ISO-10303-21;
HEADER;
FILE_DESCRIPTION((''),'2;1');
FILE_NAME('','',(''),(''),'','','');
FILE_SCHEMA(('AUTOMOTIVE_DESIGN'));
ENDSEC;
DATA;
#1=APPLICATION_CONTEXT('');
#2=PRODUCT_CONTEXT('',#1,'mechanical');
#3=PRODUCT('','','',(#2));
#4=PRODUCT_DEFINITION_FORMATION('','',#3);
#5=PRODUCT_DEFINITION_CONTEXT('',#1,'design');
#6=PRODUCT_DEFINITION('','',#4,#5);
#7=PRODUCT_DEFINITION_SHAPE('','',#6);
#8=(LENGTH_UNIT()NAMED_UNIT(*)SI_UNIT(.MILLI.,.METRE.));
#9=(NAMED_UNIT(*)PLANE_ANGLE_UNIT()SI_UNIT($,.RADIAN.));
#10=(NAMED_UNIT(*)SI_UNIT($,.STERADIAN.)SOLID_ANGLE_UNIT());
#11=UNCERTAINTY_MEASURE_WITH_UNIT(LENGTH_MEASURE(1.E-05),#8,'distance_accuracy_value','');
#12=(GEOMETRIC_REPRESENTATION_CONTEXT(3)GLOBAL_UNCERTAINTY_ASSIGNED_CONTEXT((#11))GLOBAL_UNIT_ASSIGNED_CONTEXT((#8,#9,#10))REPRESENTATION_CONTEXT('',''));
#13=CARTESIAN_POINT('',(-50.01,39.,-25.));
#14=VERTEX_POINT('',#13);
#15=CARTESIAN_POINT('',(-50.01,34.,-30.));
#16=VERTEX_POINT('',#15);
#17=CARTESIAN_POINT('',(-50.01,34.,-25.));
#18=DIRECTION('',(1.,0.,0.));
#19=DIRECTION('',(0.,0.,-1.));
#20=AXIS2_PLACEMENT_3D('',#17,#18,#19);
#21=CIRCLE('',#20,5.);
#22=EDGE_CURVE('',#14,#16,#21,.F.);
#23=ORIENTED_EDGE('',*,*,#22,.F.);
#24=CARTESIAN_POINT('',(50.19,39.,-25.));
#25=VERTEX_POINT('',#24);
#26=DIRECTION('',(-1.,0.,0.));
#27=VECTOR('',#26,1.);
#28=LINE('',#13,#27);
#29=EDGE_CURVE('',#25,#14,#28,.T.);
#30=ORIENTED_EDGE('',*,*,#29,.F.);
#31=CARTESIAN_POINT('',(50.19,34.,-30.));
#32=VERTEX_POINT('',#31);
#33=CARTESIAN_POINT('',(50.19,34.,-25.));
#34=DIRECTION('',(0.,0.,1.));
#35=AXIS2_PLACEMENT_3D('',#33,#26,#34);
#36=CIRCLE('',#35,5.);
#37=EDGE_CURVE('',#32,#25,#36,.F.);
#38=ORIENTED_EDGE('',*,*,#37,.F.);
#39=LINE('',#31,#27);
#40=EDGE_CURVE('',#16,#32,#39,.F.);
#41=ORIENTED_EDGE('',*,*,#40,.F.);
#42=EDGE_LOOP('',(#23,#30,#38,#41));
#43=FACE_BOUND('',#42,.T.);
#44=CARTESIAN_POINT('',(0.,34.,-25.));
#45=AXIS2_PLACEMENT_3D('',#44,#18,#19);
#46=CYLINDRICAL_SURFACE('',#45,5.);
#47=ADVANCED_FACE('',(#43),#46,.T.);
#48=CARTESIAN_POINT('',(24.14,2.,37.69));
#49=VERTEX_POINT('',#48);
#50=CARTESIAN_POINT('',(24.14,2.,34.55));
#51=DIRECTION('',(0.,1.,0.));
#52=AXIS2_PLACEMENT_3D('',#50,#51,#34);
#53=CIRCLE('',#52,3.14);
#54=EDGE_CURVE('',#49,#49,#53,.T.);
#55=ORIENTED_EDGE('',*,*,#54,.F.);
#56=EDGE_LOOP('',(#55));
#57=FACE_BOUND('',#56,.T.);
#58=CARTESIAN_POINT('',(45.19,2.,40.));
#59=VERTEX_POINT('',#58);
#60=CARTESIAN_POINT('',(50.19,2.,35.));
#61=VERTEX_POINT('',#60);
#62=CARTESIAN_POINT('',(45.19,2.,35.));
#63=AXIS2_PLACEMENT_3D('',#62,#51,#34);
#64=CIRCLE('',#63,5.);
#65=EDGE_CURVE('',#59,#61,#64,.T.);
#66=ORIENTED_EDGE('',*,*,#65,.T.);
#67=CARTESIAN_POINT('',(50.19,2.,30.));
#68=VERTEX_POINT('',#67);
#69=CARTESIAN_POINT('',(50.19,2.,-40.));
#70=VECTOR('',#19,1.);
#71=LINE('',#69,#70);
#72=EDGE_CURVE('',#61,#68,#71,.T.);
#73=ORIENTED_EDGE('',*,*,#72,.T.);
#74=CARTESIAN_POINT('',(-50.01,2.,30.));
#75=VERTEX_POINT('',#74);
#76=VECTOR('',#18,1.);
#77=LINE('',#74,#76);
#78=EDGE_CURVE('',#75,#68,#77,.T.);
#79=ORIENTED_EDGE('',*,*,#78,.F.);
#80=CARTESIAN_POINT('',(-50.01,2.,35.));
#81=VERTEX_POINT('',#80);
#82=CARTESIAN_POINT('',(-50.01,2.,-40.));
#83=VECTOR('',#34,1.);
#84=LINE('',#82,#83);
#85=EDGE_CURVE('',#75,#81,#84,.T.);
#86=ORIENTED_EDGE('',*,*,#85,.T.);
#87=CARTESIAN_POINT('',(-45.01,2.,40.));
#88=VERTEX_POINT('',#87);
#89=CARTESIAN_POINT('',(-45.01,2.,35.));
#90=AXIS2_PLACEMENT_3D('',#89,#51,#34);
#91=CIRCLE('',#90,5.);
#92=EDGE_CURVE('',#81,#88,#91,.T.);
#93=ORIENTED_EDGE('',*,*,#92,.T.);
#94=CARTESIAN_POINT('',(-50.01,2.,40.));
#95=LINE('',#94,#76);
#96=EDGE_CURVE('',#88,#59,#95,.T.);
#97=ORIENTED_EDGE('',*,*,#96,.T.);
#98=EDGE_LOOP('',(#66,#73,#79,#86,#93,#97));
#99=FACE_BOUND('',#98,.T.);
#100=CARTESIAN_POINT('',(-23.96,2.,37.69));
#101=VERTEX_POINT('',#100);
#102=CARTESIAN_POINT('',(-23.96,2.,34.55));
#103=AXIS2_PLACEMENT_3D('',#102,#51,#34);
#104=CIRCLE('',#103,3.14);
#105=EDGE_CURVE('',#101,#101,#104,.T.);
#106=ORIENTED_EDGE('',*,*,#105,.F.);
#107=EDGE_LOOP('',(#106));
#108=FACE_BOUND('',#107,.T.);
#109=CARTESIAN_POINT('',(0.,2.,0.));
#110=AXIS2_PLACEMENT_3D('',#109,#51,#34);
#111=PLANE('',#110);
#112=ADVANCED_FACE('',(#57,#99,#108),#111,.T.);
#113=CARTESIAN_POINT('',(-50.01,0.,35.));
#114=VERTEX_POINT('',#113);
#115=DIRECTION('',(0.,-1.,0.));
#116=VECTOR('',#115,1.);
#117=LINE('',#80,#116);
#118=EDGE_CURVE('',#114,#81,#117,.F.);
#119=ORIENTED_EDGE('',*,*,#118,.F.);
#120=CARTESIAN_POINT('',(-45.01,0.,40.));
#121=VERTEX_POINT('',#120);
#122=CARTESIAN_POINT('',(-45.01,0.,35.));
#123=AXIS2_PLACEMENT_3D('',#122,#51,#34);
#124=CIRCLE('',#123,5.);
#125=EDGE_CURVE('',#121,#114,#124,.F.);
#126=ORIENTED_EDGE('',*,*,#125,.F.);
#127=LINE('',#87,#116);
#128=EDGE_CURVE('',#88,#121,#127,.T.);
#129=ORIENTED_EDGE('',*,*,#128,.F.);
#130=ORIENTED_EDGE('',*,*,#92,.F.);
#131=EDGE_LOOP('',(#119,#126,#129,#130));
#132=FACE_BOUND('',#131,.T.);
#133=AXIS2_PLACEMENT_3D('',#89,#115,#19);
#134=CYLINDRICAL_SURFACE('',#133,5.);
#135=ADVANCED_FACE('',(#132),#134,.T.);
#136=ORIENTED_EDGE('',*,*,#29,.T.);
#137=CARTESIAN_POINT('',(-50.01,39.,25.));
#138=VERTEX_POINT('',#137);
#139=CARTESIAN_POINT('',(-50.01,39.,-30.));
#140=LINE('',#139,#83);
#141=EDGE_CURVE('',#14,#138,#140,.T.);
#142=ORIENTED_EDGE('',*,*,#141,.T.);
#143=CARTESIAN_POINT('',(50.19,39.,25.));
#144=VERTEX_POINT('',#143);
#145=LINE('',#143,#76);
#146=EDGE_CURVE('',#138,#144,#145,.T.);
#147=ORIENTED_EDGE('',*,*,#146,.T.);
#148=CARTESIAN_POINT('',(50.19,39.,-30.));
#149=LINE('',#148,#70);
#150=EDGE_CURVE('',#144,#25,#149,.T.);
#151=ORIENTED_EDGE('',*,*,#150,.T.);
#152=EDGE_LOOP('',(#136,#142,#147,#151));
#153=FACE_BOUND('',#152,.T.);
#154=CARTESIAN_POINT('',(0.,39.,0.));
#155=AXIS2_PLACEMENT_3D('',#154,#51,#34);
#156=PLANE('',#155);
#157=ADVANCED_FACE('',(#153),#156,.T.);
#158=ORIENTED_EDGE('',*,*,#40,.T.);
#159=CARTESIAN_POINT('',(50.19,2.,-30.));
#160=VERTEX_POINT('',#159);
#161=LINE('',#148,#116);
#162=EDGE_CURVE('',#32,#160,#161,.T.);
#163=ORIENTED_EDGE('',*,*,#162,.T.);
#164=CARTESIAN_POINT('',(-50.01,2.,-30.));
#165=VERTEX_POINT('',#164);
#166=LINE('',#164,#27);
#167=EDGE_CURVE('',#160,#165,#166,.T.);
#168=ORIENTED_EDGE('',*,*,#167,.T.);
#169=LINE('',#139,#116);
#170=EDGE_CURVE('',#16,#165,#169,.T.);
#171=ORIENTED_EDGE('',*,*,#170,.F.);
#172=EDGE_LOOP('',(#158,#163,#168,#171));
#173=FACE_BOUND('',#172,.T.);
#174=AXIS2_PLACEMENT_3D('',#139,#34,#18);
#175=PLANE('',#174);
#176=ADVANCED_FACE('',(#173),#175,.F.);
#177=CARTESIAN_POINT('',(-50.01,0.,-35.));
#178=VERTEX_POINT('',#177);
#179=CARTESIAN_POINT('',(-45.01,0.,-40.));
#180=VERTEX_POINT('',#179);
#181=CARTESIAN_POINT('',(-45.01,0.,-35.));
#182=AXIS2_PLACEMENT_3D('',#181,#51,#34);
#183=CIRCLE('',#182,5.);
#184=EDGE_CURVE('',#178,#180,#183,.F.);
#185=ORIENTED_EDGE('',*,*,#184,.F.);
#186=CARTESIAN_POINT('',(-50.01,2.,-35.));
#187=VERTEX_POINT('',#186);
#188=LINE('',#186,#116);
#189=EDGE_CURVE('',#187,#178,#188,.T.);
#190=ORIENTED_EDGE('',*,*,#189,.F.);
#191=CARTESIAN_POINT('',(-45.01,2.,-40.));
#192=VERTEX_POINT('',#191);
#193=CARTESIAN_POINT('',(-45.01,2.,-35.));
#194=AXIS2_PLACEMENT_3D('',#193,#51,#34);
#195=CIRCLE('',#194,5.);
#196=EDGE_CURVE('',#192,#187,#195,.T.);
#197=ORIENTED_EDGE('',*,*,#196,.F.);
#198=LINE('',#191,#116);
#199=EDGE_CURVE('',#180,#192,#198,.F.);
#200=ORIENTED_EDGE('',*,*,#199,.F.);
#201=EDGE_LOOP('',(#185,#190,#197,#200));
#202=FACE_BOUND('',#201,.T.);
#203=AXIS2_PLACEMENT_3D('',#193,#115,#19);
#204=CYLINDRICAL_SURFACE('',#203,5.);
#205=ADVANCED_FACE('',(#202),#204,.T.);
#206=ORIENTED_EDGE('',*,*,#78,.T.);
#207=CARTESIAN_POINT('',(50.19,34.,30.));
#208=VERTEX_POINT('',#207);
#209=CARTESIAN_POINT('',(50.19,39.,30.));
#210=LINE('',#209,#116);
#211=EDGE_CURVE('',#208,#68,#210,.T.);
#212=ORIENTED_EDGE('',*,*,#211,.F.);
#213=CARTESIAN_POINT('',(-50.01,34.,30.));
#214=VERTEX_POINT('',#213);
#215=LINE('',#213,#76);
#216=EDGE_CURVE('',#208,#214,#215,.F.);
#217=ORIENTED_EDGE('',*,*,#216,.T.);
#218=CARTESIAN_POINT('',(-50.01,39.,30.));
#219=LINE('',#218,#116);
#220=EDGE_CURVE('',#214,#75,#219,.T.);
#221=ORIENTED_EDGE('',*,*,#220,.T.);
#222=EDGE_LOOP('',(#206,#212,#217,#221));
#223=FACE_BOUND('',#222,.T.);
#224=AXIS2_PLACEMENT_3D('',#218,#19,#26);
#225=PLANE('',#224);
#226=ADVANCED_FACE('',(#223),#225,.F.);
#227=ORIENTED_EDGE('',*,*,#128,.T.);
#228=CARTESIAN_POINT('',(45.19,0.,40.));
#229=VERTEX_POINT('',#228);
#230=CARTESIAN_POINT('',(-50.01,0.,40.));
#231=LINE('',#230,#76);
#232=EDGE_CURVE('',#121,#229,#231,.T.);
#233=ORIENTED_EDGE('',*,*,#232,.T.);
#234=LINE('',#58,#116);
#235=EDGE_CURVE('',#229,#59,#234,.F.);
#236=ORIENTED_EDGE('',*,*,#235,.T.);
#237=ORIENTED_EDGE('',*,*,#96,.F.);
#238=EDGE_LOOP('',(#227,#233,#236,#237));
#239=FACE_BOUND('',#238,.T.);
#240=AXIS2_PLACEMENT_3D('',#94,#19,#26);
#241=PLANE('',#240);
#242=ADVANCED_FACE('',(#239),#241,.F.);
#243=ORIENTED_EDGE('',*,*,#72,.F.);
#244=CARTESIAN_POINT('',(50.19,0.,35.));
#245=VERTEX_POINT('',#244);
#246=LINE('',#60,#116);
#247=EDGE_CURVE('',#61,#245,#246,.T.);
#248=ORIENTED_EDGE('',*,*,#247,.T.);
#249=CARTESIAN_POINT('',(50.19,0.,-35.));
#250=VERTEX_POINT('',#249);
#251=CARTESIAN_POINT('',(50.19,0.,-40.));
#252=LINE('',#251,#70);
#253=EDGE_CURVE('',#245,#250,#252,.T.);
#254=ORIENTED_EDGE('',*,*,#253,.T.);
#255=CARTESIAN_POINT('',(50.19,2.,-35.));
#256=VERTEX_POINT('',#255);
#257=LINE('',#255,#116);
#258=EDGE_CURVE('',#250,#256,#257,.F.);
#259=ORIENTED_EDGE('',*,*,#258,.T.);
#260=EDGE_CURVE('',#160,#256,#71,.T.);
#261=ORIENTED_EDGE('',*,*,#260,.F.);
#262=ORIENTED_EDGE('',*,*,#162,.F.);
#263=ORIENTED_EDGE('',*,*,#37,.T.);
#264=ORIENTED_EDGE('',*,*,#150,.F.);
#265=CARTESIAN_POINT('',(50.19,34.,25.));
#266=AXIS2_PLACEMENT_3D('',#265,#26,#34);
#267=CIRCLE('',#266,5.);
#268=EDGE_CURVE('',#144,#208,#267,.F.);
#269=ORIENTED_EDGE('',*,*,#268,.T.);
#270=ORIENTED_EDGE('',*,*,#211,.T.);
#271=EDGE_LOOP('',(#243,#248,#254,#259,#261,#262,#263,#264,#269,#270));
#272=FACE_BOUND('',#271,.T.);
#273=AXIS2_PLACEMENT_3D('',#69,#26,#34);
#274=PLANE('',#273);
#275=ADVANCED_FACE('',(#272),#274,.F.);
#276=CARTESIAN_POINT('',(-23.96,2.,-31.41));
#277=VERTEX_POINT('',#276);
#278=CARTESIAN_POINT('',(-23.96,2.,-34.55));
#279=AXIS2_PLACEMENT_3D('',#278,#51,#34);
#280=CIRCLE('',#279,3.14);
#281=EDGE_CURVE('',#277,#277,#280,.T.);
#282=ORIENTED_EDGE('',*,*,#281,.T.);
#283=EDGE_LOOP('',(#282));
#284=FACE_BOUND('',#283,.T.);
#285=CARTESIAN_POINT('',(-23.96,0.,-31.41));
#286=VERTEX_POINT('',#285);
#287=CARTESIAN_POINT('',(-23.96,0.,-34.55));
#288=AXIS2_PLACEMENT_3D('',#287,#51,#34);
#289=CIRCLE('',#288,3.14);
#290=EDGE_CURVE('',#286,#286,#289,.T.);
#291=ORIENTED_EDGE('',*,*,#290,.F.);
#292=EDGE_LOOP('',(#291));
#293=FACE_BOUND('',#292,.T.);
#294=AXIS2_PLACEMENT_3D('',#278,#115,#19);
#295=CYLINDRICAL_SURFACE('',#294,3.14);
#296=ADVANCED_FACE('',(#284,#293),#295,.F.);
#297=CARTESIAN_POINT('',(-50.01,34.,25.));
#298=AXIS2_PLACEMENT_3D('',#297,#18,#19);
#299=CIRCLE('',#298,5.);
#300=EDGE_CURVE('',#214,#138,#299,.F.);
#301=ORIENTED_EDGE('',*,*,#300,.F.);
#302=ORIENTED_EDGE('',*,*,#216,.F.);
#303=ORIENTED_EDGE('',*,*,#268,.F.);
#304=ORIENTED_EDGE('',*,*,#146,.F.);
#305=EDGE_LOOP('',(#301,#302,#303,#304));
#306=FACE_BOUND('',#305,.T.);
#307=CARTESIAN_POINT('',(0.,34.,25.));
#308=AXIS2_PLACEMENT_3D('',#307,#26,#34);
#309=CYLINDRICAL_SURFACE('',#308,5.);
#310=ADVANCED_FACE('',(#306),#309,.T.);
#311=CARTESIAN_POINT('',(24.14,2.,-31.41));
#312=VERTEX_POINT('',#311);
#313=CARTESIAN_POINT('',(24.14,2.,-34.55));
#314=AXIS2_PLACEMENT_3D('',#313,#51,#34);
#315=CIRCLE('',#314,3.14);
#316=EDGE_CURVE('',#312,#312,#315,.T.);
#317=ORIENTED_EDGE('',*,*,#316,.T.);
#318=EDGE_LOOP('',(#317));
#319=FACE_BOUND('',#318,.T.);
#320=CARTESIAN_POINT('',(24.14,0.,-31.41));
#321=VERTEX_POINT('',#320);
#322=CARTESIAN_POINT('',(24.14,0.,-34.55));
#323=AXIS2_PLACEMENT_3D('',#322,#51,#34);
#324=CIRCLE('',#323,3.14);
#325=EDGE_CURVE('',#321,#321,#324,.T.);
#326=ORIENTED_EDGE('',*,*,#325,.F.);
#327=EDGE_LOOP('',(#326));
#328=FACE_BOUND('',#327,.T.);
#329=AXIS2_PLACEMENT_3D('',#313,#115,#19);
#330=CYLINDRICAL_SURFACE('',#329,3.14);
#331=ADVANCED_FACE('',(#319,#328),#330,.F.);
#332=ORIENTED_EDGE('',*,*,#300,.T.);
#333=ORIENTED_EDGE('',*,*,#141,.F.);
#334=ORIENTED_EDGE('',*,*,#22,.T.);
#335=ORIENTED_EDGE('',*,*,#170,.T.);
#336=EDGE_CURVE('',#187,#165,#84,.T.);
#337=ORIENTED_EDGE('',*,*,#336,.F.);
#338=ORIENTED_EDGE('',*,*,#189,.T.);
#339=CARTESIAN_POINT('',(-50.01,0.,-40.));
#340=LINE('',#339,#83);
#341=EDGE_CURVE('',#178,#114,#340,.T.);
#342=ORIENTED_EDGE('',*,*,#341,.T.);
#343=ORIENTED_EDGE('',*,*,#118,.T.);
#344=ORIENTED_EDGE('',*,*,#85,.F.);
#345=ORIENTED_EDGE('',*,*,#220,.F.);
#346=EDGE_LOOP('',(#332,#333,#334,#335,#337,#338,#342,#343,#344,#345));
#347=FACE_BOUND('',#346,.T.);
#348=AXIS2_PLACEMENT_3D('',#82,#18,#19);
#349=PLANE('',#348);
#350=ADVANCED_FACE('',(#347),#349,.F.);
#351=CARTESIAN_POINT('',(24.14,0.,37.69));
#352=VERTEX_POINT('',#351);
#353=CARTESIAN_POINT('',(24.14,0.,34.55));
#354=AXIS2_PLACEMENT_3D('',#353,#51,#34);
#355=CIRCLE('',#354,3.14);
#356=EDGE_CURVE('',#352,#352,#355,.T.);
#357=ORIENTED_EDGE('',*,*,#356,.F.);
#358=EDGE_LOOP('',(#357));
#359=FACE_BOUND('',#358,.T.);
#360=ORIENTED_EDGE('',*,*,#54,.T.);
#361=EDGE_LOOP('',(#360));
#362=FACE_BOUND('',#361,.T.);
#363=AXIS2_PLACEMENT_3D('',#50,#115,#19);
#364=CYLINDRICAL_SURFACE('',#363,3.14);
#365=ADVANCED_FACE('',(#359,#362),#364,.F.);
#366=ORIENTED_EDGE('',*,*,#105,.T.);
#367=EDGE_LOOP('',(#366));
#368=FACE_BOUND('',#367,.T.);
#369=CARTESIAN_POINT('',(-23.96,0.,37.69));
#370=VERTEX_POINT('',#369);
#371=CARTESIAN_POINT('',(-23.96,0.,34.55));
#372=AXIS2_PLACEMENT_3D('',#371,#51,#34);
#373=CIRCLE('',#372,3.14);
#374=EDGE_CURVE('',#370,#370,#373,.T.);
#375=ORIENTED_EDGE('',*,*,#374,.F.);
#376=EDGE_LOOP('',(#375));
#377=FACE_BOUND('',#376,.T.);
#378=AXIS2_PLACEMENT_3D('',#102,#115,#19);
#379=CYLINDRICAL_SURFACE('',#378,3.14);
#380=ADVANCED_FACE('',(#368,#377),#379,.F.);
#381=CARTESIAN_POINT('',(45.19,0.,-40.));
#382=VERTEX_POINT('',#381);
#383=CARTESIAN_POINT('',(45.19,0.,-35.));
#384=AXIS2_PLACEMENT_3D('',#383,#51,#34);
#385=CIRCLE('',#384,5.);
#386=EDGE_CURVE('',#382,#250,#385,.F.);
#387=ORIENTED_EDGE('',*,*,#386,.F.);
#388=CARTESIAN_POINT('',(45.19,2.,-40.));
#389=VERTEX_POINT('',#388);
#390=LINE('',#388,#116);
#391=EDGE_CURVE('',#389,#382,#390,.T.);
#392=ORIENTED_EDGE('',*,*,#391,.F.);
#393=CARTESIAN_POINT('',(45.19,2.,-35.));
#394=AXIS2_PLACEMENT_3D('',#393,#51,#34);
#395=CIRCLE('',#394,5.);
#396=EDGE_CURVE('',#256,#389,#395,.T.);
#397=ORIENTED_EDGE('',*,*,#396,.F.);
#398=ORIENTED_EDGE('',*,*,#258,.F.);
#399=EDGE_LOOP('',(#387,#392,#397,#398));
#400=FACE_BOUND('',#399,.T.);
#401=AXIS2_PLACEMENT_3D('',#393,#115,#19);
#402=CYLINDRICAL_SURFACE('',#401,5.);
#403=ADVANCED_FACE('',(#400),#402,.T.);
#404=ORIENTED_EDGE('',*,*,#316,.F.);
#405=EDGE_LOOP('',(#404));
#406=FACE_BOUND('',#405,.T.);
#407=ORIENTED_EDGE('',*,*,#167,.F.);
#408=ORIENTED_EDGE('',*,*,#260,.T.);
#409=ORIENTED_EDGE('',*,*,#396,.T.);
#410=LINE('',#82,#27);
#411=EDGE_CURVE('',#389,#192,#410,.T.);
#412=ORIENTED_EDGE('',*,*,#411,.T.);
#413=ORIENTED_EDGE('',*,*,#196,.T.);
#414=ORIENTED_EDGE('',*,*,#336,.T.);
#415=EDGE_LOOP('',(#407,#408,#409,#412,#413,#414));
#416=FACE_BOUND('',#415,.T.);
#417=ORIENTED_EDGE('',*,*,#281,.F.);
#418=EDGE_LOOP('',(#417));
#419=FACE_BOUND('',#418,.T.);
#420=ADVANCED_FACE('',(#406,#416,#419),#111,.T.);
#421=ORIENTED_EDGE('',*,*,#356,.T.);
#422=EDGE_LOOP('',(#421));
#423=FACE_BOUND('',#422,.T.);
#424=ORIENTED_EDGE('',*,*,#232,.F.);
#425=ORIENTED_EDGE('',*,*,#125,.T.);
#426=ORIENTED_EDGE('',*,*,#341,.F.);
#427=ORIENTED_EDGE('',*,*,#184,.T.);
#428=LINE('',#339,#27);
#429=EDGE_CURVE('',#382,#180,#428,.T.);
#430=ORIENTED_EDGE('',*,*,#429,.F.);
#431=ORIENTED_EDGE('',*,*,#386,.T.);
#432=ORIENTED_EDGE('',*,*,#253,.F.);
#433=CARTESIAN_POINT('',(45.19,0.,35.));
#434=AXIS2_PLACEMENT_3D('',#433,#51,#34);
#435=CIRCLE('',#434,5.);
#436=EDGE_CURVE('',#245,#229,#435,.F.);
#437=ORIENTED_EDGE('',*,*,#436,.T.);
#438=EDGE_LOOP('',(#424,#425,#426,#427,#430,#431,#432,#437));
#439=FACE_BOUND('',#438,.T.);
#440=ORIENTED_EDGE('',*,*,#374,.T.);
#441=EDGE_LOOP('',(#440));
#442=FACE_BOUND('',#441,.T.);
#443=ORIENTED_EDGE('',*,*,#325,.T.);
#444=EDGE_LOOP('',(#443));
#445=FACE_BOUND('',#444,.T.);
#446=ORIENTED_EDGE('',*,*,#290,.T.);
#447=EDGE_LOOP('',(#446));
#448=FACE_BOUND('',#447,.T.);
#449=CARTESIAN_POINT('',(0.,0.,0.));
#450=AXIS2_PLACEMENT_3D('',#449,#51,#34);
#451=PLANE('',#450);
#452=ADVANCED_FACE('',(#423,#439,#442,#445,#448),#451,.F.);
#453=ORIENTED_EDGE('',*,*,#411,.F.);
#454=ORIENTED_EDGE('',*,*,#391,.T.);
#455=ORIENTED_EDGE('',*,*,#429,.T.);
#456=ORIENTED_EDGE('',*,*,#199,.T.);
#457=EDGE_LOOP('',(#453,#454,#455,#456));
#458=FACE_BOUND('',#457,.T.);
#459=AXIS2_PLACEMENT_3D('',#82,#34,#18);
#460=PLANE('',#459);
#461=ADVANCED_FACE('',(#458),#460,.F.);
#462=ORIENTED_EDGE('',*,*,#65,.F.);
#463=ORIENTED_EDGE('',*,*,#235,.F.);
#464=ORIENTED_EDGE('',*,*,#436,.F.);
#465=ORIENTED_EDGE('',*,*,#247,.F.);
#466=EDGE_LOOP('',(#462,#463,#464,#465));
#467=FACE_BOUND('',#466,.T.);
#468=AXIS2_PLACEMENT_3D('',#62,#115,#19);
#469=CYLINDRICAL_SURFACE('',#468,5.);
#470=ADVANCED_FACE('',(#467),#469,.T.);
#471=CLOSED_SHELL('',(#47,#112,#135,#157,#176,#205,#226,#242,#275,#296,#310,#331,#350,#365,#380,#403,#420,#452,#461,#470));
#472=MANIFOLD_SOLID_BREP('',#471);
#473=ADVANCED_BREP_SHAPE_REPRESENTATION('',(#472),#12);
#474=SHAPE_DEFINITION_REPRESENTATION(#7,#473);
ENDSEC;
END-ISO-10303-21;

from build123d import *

# Parameters (mm, degrees)
SKETCH_1_W      = 100.2
SKETCH_1_H      = 80
SKETCH_1_R      = 3.14
EXTRUDE_1_DEPTH = 2
SKETCH_3_W      = 100.2
SKETCH_3_H      = 60
EXTRUDE_2_DEPTH = 37
FILLET_1_R      = 5
FILLET_2_R      = 5


with BuildPart() as part:
    # 草图1 → 凸台-拉伸1 (new body)
    with BuildSketch(Plane(origin=(0, 0, 0), x_dir=(1, 0, 0), z_dir=(0, 1, 0))):
        with Locations((0.09, 0)):
            Rectangle(SKETCH_1_W, SKETCH_1_H)
        with Locations(Location((-23.96, 34.55, 0), (0, 0, 270))):
            Circle(SKETCH_1_R, mode=Mode.SUBTRACT)
        with Locations(Location((24.14, 34.55, 0), (0, 0, 270))):
            Circle(SKETCH_1_R, mode=Mode.SUBTRACT)
        with Locations(Location((24.14, -34.55, 0), (0, 0, 270))):
            Circle(SKETCH_1_R, mode=Mode.SUBTRACT)
        with Locations(Location((-23.96, -34.55, 0), (0, 0, 270))):
            Circle(SKETCH_1_R, mode=Mode.SUBTRACT)
    extrude(amount=EXTRUDE_1_DEPTH)

    # 草图3 → 凸台-拉伸2 (add)
    with BuildSketch(Plane(origin=(0, 2, 0), x_dir=(1, 0, 0), z_dir=(0, 1, 0))):
        with Locations((0.09, 0)):
            Rectangle(SKETCH_3_W, SKETCH_3_H)
    extrude(amount=EXTRUDE_2_DEPTH)

    # 圆角1
    fillet_1_edges = [part.edges().sort_by_distance(p)[0] for p in [
        (-50.01, 1, -40),
        (50.19, 1, -40),
        (50.19, 1, 40),
        (-50.01, 1, 40),
    ]]
    fillet(fillet_1_edges, radius=FILLET_1_R)

    # 圆角2
    fillet_2_edges = [part.edges().sort_by_distance(p)[0] for p in [
        (0.09, 39, 30),
        (0.09, 39, -30),
    ]]
    fillet(fillet_2_edges, radius=FILLET_2_R)


solid = part.part
